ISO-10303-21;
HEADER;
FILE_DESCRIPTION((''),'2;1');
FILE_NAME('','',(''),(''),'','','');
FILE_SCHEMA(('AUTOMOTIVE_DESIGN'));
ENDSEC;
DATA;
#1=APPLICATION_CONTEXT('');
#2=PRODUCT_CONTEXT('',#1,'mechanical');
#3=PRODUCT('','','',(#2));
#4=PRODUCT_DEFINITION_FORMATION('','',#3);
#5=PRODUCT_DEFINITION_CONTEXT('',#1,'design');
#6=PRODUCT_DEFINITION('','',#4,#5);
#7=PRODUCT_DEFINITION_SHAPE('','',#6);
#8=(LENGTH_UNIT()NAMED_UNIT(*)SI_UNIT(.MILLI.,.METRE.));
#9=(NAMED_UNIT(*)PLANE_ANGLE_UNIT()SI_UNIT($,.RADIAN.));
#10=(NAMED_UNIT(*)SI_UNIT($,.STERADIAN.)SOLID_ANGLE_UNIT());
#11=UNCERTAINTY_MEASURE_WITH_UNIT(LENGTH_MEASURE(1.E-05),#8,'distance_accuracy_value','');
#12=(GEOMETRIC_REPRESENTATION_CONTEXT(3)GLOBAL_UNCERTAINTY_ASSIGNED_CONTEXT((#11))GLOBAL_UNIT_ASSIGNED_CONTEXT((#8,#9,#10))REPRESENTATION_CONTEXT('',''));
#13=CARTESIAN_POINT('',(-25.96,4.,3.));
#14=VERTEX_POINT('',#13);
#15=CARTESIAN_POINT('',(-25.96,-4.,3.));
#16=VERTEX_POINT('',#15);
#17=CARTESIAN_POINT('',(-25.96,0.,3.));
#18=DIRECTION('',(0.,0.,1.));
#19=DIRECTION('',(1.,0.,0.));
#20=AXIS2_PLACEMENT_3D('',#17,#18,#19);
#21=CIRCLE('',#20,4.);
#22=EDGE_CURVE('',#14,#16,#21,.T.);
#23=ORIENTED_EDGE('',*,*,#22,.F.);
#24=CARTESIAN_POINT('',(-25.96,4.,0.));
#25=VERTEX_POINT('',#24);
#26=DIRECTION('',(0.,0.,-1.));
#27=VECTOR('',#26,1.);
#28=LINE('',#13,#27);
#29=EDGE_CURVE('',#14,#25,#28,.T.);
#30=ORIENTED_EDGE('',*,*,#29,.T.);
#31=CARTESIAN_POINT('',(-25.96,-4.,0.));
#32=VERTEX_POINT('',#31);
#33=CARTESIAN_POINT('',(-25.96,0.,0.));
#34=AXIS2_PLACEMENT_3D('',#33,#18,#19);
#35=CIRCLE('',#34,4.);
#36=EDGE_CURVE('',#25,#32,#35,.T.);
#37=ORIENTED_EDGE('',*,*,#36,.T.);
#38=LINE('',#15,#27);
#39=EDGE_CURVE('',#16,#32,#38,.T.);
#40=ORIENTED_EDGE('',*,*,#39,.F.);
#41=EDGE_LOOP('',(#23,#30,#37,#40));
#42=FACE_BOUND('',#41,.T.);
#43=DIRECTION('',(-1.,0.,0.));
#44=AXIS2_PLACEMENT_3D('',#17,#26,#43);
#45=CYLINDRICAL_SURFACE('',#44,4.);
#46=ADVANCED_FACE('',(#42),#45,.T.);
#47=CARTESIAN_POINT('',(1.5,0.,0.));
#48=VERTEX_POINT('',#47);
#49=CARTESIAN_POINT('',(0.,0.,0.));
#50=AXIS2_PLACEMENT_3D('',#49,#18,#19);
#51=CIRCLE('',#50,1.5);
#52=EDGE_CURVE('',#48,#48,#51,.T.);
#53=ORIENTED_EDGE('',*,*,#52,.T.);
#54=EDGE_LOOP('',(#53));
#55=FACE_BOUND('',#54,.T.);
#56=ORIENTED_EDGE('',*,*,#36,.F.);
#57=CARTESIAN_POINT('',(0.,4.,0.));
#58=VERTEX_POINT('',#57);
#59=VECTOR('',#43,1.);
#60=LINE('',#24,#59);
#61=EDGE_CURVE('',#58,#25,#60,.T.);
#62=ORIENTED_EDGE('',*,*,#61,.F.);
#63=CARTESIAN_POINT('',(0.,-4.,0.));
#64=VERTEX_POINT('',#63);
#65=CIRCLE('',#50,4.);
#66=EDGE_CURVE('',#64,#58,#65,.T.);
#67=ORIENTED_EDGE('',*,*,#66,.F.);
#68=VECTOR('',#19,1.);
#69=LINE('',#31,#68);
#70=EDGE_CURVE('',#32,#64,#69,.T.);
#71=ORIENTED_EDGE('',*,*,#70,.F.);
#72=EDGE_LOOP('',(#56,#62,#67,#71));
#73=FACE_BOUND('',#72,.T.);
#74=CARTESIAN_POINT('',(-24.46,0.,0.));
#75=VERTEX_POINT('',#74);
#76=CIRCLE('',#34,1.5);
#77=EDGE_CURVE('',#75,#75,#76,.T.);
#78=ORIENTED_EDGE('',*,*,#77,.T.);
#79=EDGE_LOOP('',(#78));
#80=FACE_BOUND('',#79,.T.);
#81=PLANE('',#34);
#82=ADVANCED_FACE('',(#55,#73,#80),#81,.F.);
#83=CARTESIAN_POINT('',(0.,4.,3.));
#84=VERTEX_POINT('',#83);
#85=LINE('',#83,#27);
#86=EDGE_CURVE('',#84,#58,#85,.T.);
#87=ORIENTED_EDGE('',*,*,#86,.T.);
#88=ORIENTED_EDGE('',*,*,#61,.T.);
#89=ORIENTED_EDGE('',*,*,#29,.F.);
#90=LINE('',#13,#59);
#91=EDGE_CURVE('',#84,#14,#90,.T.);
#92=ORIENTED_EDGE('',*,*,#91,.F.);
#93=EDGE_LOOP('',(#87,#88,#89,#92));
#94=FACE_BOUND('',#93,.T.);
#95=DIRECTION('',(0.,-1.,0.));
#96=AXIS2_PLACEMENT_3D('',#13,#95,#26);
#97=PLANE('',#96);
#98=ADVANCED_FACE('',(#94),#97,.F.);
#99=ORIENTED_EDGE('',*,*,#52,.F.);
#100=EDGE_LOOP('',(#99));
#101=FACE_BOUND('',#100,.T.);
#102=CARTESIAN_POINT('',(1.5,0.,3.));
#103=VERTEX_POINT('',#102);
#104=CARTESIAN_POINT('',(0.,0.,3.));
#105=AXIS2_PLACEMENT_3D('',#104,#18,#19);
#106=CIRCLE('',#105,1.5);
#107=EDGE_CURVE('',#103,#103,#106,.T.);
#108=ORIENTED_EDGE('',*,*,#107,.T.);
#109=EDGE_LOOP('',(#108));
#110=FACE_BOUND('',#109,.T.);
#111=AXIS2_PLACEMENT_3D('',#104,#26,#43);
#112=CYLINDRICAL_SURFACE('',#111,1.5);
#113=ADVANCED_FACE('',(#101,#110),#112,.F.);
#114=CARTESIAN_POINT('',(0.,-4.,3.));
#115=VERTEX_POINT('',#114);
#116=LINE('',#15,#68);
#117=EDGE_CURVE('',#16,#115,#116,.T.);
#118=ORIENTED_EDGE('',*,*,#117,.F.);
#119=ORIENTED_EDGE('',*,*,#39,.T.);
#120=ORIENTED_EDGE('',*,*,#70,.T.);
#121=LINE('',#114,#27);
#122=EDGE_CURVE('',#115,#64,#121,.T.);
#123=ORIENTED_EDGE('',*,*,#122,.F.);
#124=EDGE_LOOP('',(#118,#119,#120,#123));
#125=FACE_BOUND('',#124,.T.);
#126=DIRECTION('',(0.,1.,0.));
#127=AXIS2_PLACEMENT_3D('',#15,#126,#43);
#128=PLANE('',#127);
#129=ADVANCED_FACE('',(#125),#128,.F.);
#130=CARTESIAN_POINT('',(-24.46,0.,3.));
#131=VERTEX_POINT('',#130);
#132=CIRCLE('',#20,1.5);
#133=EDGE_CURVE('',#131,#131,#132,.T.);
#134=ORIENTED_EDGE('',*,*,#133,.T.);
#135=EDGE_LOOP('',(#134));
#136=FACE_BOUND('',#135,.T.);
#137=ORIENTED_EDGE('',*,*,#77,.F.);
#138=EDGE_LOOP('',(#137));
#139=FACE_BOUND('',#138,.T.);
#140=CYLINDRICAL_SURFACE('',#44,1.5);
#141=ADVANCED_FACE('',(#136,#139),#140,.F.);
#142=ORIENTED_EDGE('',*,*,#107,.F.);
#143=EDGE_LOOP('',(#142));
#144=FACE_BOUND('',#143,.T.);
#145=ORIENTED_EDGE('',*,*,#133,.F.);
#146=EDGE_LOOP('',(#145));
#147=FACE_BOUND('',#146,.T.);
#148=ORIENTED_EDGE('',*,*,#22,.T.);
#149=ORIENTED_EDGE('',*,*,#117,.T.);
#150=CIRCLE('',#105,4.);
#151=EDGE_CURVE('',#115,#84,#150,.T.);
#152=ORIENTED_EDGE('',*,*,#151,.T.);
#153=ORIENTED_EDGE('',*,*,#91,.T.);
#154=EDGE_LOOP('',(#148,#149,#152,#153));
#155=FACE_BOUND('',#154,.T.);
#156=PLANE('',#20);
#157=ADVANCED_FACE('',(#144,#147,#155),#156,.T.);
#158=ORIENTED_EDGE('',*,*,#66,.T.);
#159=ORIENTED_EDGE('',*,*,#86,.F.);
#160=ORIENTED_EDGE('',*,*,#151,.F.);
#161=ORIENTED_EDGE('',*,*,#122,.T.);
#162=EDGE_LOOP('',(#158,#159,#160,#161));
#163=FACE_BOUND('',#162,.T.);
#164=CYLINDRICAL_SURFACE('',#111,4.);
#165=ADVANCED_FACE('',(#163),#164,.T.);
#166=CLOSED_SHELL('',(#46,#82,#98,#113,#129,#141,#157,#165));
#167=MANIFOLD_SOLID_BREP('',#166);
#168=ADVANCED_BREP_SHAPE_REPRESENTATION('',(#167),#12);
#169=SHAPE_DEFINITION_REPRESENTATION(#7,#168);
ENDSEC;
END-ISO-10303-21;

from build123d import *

# Parameters (mm, degrees)
SKETCH1_R           = 1.5
BOSS_EXTRUDE1_DEPTH = 3


with BuildPart() as part:
    # Sketch1 → Boss-Extrude1 (new body)
    with BuildSketch(Plane.XY):
        with BuildLine():
            Line((-25.96, 4), (0, 4))
            ThreePointArc((0, 4), (4, 0), (0, -4))
            Line((0, -4), (-25.96, -4))
            ThreePointArc((-25.96, -4), (-29.96, 0), (-25.96, 4))
        make_face()
        Circle(SKETCH1_R, mode=Mode.SUBTRACT)
        with Locations((-25.96, 0)):
            Circle(SKETCH1_R, mode=Mode.SUBTRACT)
    extrude(amount=BOSS_EXTRUDE1_DEPTH)


solid = part.part
